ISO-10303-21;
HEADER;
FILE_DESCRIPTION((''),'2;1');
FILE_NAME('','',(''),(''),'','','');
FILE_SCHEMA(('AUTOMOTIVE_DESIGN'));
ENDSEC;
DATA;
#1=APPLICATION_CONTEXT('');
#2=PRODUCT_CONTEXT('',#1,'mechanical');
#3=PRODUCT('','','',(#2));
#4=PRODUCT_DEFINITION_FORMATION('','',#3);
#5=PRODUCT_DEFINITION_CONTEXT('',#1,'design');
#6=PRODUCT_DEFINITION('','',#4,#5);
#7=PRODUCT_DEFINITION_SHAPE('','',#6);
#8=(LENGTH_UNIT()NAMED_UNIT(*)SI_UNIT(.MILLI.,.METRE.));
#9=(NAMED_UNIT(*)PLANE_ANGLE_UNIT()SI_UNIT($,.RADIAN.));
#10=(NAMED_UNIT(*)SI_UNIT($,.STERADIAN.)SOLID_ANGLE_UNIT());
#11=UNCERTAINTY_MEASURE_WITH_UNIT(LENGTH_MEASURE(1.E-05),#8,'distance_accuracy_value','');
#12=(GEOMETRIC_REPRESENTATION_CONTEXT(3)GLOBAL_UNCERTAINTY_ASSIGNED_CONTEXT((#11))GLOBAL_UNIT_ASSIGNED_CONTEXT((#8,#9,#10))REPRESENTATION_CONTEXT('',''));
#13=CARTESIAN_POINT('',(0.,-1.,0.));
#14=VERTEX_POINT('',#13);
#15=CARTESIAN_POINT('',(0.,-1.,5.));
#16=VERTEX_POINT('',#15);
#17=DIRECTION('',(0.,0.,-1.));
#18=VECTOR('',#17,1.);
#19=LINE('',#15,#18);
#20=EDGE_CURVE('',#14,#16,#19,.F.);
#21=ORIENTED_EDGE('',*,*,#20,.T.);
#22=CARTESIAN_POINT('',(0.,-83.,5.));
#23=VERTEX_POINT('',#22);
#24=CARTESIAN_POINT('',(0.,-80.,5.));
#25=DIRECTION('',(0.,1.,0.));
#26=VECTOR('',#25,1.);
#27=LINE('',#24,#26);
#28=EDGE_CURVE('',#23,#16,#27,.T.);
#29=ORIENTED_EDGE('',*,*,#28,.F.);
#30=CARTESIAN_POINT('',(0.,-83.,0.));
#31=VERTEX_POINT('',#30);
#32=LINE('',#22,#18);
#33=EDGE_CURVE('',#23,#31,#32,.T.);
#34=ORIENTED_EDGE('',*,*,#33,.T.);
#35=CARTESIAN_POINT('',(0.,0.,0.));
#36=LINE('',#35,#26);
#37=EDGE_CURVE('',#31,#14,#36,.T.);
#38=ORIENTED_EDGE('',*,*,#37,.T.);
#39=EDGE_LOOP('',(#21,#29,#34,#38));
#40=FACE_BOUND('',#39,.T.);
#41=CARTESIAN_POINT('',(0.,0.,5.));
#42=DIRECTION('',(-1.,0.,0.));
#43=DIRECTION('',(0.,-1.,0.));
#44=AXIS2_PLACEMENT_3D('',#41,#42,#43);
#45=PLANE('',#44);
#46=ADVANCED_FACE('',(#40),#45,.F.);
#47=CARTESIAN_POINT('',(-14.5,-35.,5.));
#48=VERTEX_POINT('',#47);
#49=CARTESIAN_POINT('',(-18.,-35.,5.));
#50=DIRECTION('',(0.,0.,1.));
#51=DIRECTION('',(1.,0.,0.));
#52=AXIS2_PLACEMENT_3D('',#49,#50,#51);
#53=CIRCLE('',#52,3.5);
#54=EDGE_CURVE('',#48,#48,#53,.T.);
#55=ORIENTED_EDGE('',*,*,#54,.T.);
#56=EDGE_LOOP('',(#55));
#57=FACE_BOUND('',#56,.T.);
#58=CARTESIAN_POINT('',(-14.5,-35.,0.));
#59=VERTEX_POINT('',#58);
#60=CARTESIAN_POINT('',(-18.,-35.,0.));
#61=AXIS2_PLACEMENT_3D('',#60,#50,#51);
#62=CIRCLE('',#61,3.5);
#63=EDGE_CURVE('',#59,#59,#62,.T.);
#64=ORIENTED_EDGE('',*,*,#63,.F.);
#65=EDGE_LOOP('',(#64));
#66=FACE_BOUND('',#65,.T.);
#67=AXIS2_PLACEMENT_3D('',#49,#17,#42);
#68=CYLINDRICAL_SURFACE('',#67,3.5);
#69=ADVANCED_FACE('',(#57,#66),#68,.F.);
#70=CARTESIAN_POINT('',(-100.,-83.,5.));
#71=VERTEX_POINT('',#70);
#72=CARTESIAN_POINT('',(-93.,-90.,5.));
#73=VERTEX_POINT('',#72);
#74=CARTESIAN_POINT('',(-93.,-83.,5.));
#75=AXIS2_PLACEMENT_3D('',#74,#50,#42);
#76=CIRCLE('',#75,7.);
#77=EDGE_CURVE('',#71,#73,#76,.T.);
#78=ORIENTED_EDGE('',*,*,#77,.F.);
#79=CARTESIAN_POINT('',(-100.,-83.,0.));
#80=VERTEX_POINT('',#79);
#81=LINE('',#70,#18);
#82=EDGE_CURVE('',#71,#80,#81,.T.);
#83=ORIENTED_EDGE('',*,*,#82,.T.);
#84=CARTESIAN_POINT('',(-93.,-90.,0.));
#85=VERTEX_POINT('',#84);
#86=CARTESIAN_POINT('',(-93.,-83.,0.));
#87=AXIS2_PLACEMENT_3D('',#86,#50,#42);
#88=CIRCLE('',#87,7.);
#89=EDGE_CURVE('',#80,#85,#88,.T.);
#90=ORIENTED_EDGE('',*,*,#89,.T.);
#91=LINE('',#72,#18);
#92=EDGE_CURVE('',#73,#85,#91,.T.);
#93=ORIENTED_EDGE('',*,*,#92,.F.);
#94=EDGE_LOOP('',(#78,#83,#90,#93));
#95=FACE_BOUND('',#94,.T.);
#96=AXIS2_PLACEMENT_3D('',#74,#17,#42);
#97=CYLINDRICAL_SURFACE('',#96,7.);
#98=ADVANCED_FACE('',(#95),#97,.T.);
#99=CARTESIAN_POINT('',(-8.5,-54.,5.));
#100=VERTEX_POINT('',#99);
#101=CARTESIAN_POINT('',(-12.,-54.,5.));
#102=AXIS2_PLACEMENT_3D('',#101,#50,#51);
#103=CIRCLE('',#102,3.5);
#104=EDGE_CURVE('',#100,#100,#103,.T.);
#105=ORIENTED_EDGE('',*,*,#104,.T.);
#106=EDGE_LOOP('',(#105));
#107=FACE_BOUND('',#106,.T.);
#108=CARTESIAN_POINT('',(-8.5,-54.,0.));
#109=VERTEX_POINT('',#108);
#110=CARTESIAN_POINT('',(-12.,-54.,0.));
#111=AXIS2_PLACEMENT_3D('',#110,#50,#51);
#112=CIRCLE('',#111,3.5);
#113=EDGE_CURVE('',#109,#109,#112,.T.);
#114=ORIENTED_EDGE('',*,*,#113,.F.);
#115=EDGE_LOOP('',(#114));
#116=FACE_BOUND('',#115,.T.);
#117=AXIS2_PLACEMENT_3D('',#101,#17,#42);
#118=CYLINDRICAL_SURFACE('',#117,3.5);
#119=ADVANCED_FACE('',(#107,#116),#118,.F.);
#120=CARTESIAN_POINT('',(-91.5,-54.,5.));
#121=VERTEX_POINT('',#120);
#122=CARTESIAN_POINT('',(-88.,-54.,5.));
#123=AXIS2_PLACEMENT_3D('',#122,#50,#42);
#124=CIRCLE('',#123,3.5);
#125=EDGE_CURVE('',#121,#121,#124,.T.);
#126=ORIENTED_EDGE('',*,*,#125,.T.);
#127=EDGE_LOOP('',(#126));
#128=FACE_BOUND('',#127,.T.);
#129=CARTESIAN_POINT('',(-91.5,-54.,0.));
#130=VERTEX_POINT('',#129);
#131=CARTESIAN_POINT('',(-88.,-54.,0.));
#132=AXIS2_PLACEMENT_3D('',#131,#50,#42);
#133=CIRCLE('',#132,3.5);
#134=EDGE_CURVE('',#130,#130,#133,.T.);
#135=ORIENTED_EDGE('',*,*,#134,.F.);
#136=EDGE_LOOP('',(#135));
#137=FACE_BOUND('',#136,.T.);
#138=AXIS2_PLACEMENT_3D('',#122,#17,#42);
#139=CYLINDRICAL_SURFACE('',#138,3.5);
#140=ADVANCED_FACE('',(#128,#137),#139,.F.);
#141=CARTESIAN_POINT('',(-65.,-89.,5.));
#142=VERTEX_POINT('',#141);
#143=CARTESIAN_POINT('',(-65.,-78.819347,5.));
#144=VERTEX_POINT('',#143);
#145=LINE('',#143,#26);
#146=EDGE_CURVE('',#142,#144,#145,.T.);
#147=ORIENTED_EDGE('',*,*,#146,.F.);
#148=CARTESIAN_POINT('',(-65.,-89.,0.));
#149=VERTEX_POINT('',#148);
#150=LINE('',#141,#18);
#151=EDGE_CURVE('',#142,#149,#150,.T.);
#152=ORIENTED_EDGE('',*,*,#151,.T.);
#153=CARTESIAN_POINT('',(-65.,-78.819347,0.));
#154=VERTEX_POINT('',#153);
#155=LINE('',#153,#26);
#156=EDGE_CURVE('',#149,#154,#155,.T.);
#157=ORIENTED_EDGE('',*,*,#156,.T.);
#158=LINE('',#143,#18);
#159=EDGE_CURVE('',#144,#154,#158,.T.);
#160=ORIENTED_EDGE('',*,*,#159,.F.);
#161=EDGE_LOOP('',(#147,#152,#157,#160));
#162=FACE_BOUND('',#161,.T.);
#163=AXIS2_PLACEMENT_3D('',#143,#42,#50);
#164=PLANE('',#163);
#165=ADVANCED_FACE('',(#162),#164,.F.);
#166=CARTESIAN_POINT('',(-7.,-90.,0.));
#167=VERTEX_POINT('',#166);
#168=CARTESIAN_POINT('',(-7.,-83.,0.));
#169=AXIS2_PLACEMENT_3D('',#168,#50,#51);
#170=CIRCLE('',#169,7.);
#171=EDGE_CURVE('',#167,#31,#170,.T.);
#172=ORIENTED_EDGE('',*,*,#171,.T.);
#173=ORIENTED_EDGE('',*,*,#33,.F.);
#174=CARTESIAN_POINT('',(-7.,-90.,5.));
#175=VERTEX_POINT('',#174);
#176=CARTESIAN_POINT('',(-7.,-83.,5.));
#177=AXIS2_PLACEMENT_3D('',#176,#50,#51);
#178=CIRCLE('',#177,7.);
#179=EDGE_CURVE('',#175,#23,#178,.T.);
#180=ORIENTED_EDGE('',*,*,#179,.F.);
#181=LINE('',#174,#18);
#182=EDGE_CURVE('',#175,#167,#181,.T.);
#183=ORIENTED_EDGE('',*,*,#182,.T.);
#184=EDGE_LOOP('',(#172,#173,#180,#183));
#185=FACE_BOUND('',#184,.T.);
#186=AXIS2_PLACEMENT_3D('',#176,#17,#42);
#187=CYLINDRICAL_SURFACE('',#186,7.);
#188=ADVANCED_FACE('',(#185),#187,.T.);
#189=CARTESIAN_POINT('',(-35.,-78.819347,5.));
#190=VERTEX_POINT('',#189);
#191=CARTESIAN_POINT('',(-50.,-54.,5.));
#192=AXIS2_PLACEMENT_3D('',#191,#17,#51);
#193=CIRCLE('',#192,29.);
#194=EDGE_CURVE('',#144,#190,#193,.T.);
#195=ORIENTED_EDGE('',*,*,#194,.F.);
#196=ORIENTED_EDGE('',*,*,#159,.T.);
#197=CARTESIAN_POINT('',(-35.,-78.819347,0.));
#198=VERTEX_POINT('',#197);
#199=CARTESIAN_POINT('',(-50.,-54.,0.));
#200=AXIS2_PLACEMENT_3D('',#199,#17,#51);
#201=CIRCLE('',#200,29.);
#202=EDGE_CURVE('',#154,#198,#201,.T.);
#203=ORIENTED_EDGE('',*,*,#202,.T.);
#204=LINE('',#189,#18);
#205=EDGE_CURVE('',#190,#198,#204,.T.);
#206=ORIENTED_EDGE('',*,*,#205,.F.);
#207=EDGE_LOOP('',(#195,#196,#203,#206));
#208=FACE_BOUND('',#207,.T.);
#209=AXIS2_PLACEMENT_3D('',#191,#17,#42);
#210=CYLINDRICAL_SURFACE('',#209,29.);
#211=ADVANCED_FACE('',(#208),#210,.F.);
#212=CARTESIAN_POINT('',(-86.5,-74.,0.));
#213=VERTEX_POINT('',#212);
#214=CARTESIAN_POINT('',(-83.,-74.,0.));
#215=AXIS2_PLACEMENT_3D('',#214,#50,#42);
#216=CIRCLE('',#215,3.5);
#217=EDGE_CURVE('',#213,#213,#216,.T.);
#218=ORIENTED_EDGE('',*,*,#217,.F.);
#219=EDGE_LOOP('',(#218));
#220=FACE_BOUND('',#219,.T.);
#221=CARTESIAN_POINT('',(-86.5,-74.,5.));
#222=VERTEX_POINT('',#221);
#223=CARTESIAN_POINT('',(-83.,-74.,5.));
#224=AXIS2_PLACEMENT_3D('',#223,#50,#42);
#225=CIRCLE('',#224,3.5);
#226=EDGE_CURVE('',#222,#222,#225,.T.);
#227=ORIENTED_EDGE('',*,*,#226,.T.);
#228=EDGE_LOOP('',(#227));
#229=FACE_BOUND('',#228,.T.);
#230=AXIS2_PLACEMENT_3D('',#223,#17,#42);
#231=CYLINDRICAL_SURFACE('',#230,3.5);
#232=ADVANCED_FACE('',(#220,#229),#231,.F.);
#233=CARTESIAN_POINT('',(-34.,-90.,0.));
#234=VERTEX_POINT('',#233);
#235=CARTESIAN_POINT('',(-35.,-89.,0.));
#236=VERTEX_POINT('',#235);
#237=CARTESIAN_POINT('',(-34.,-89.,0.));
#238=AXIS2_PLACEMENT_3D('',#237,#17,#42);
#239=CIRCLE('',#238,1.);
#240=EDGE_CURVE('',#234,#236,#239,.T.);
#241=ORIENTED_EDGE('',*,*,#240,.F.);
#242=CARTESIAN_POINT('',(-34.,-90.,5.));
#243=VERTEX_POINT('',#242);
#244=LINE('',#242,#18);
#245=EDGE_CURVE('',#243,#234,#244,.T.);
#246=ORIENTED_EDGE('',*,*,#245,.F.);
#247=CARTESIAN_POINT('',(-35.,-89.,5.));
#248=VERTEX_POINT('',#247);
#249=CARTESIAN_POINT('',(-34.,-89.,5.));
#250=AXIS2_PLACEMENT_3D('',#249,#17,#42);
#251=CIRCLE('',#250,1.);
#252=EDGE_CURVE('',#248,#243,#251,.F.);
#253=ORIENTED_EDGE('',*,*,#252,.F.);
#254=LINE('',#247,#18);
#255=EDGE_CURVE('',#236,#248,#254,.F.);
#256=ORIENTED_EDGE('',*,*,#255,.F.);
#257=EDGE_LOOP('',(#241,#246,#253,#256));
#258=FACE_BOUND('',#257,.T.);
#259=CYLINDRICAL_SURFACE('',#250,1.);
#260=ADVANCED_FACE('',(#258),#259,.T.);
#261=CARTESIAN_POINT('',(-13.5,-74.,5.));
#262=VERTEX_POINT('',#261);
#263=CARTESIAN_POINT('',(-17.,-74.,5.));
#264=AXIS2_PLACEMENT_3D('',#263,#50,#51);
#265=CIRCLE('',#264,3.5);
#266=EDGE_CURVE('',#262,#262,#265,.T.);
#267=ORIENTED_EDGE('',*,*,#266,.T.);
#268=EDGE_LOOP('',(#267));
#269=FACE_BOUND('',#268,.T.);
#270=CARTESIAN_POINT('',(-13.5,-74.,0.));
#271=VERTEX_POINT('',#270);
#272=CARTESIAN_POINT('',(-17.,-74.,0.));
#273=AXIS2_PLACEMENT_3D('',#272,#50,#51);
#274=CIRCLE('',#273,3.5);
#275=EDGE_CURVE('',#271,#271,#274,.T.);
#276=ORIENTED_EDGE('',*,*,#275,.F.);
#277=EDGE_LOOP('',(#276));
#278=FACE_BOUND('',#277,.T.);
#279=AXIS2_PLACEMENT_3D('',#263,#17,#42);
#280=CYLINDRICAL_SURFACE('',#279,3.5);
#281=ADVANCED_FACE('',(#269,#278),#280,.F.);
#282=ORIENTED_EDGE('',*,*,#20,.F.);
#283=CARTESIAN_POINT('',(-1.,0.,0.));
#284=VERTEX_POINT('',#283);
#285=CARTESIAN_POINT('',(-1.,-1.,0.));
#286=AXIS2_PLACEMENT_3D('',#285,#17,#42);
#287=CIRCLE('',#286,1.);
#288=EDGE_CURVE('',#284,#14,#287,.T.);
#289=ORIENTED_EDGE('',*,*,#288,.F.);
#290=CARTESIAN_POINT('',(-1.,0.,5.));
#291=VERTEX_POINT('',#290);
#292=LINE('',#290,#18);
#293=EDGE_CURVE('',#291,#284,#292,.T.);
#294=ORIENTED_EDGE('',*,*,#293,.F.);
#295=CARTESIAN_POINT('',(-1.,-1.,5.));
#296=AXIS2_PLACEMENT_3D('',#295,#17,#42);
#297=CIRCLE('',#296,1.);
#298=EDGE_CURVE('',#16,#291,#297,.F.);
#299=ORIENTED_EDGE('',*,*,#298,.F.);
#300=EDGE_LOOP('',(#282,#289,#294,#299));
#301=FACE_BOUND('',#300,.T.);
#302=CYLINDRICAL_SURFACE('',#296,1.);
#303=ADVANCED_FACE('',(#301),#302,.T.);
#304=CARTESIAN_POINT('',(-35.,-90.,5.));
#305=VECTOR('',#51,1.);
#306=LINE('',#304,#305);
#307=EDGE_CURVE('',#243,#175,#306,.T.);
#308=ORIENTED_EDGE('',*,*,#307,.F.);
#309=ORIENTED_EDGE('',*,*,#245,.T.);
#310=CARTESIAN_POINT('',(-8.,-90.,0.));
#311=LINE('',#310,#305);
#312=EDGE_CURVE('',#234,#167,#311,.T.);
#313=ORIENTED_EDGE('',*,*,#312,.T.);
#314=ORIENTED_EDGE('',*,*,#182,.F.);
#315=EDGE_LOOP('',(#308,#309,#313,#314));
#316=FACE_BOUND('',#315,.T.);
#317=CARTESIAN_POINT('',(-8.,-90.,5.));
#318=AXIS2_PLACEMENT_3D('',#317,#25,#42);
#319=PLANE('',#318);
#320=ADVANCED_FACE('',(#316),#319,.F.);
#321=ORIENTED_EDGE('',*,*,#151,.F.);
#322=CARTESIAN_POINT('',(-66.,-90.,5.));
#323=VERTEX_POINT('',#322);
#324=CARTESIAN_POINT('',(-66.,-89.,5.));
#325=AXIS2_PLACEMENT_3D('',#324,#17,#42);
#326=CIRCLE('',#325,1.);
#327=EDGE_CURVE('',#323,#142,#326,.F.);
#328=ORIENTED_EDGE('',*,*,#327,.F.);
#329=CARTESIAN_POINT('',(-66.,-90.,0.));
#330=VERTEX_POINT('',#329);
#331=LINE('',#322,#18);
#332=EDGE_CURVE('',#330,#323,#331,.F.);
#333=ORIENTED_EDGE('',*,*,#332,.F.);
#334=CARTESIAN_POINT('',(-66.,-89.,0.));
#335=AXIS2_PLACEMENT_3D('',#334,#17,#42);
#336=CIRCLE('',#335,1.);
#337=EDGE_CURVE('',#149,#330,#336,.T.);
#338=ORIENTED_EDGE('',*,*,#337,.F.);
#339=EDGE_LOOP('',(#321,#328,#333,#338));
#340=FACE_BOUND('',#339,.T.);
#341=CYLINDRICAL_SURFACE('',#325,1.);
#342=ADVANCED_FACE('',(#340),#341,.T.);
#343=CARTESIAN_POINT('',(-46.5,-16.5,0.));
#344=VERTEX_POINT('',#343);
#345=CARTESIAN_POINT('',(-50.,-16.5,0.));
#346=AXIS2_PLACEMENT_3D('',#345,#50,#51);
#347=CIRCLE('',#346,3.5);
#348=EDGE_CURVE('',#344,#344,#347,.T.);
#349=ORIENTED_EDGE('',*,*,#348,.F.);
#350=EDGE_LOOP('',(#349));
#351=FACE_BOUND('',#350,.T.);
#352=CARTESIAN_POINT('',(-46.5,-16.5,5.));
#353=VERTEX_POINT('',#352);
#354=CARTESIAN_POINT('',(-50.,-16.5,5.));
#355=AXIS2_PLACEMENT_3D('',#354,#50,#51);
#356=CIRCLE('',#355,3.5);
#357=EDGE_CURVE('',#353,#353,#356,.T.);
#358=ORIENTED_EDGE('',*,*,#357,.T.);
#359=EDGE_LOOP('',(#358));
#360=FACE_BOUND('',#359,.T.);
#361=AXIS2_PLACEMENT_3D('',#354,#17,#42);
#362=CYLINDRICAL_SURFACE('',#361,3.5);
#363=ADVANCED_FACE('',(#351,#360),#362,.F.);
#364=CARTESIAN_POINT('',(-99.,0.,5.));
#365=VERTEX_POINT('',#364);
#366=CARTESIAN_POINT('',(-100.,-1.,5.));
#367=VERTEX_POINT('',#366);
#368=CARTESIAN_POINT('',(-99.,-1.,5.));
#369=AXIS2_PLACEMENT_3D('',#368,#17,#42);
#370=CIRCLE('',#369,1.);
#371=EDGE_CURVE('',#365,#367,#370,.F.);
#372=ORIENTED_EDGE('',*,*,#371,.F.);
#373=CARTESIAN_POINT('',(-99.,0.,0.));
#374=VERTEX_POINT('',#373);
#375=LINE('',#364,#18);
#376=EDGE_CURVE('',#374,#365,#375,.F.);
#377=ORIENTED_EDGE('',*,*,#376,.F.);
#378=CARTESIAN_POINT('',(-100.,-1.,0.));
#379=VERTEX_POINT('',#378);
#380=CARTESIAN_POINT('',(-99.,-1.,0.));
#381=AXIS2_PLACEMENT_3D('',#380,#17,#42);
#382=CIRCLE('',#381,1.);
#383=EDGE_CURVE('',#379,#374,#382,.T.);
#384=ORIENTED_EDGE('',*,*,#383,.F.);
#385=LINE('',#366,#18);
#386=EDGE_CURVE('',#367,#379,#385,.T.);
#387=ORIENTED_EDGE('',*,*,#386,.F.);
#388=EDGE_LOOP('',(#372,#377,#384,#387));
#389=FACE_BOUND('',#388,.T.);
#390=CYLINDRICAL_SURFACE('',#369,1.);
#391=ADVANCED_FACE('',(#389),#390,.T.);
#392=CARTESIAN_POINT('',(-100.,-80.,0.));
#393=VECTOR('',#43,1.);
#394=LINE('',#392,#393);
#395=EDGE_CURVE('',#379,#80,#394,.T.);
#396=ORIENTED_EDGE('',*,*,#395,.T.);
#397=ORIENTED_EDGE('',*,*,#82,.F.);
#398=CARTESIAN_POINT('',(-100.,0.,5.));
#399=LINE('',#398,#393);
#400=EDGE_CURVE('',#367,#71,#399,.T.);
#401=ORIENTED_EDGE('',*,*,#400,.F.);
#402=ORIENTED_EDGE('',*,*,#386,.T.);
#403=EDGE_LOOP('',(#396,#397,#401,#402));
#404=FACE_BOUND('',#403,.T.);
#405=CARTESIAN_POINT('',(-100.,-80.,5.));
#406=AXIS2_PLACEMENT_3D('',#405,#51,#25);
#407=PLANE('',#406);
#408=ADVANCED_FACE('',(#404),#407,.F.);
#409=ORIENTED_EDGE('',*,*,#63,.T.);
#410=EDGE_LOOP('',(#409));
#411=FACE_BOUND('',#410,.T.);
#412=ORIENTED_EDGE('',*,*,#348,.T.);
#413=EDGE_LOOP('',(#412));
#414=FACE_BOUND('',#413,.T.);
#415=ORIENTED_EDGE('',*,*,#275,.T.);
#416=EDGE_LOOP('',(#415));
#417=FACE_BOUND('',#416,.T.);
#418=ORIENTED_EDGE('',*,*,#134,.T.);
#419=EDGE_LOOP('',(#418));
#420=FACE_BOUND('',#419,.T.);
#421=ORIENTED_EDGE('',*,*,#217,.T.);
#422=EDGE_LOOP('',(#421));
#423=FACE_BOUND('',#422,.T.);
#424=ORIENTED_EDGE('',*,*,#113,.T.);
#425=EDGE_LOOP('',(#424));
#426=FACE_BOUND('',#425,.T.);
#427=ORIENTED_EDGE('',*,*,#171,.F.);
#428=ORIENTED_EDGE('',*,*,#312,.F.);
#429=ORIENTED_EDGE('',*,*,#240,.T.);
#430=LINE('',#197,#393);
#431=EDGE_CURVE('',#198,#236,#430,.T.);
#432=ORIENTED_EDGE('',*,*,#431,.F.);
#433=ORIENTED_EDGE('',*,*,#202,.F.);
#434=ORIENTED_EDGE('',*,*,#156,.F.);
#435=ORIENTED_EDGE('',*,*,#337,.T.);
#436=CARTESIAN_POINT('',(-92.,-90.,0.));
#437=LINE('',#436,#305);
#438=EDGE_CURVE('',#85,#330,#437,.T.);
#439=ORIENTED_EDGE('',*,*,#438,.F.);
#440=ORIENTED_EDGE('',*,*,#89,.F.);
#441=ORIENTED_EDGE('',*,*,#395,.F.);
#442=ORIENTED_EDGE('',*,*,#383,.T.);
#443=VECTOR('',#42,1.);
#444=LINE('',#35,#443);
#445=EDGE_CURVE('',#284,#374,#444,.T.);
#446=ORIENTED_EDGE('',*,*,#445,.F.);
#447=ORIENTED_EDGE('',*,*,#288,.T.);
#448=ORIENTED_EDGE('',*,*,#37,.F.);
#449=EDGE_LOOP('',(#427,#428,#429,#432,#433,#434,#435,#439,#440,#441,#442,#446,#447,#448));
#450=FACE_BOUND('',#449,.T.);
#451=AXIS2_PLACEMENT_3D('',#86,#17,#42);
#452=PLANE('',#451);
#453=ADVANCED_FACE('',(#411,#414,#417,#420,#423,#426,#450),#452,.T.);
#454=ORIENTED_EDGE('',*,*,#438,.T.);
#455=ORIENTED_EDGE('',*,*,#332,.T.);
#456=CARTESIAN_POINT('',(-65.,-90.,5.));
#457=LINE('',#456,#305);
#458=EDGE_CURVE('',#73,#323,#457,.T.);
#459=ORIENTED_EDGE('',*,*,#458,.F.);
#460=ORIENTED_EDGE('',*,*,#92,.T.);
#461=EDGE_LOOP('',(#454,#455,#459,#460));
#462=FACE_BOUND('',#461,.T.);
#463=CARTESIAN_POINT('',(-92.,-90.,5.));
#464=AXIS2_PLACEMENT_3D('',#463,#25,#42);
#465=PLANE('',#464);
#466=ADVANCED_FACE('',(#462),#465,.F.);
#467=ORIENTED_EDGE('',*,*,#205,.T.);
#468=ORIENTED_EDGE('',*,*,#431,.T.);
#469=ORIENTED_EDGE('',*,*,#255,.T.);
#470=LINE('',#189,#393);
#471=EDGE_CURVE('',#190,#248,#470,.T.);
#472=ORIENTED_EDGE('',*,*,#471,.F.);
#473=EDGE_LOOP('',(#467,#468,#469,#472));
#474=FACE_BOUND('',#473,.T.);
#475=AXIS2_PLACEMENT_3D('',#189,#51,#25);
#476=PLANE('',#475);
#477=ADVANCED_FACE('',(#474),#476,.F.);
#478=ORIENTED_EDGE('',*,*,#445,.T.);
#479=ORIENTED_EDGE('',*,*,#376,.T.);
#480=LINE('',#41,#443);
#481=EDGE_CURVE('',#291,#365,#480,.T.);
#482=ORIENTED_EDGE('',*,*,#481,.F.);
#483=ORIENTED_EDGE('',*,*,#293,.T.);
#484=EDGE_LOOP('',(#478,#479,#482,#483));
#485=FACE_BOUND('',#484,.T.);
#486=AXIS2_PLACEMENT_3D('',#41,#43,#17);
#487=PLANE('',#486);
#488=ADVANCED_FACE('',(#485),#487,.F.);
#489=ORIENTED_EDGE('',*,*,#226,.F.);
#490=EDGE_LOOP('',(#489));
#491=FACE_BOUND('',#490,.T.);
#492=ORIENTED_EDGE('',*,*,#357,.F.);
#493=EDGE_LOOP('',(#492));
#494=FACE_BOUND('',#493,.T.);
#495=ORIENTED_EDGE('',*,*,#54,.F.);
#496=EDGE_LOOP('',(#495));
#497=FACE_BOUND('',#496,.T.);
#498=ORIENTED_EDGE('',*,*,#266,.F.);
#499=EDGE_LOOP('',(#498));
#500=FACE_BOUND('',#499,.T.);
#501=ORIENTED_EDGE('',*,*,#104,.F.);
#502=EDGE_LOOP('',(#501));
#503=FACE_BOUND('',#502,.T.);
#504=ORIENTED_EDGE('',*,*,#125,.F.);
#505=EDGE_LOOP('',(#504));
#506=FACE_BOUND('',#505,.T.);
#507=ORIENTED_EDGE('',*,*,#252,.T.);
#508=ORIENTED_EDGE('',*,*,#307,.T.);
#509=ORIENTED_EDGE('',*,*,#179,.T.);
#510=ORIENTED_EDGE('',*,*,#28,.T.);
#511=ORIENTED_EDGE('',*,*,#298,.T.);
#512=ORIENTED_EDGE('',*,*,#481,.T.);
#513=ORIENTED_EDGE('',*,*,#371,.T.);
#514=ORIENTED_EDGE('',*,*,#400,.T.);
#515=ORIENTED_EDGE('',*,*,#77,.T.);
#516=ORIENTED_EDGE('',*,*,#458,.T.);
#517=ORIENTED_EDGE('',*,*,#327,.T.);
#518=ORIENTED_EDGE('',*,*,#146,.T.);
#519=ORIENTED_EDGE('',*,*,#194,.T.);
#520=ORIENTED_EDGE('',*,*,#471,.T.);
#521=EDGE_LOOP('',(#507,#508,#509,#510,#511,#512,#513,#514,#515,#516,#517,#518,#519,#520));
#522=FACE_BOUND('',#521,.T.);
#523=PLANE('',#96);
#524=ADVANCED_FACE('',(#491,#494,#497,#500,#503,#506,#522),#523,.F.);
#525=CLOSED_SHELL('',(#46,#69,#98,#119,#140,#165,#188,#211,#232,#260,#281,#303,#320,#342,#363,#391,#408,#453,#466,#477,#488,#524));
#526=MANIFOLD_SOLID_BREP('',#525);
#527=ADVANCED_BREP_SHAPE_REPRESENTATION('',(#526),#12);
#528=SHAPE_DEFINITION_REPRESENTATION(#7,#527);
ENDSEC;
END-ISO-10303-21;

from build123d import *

# Parameters (mm, degrees)
SKETCH1_R           = 3.5
BOSS_EXTRUDE1_DEPTH = 5
FILLET1_R           = 1
FILLET2_R           = 1
FILLET3_R           = 1
FILLET4_R           = 1


with BuildPart() as part:
    # Sketch1 → Boss-Extrude1 (new body)
    with BuildSketch(Plane.XY):
        with BuildLine():
            Line((0, 0), (-100, 0))
            Line((-100, 0), (-100, -80))
            Line((-100, -80), (-100, -83))
            ThreePointArc((-100, -83), (-97.949747468, -87.949747468), (-93, -90))
            Line((-93, -90), (-92, -90))
            Line((-92, -90), (-65, -90))
            Line((-65, -90), (-65, -78.819347292))
            ThreePointArc((-65, -78.819347292), (-50, -25), (-35, -78.819347292))
            Line((-35, -78.819347292), (-35, -90))
            Line((-35, -90), (-8, -90))
            Line((-8, -90), (-7, -90))
            ThreePointArc((-7, -90), (-2.050252532, -87.949747468), (0, -83))
            Line((0, -83), (0, -80))
            Line((0, -80), (0, 0))
        make_face()
        with Locations((-50, -16.5)):
            Circle(SKETCH1_R, mode=Mode.SUBTRACT)
        with Locations((-12, -54)):
            Circle(SKETCH1_R, mode=Mode.SUBTRACT)
        with Locations((-17, -74)):
            Circle(SKETCH1_R, mode=Mode.SUBTRACT)
        with Locations((-18, -35)):
            Circle(SKETCH1_R, mode=Mode.SUBTRACT)
        with Locations(Location((-83, -74, 0), (0, 0, 180))):
            Circle(SKETCH1_R, mode=Mode.SUBTRACT)
        with Locations(Location((-88, -54, 0), (0, 0, 180))):
            Circle(SKETCH1_R, mode=Mode.SUBTRACT)
    extrude(amount=BOSS_EXTRUDE1_DEPTH)

    # Fillet1
    fillet1_edges = [part.edges().sort_by_distance(p)[0] for p in [
        (-100, 0, 2.5),
    ]]
    fillet(fillet1_edges, radius=FILLET1_R)

    # Fillet2
    fillet2_edges = [part.edges().sort_by_distance(p)[0] for p in [
        (0, 0, 2.5),
    ]]
    fillet(fillet2_edges, radius=FILLET2_R)

    # Fillet3
    fillet3_edges = [part.edges().sort_by_distance(p)[0] for p in [
        (-65, -90, 2.5),
    ]]
    fillet(fillet3_edges, radius=FILLET3_R)

    # Fillet4
    fillet4_edges = [part.edges().sort_by_distance(p)[0] for p in [
        (-35, -90, 2.5),
    ]]
    fillet(fillet4_edges, radius=FILLET4_R)


solid = part.part
